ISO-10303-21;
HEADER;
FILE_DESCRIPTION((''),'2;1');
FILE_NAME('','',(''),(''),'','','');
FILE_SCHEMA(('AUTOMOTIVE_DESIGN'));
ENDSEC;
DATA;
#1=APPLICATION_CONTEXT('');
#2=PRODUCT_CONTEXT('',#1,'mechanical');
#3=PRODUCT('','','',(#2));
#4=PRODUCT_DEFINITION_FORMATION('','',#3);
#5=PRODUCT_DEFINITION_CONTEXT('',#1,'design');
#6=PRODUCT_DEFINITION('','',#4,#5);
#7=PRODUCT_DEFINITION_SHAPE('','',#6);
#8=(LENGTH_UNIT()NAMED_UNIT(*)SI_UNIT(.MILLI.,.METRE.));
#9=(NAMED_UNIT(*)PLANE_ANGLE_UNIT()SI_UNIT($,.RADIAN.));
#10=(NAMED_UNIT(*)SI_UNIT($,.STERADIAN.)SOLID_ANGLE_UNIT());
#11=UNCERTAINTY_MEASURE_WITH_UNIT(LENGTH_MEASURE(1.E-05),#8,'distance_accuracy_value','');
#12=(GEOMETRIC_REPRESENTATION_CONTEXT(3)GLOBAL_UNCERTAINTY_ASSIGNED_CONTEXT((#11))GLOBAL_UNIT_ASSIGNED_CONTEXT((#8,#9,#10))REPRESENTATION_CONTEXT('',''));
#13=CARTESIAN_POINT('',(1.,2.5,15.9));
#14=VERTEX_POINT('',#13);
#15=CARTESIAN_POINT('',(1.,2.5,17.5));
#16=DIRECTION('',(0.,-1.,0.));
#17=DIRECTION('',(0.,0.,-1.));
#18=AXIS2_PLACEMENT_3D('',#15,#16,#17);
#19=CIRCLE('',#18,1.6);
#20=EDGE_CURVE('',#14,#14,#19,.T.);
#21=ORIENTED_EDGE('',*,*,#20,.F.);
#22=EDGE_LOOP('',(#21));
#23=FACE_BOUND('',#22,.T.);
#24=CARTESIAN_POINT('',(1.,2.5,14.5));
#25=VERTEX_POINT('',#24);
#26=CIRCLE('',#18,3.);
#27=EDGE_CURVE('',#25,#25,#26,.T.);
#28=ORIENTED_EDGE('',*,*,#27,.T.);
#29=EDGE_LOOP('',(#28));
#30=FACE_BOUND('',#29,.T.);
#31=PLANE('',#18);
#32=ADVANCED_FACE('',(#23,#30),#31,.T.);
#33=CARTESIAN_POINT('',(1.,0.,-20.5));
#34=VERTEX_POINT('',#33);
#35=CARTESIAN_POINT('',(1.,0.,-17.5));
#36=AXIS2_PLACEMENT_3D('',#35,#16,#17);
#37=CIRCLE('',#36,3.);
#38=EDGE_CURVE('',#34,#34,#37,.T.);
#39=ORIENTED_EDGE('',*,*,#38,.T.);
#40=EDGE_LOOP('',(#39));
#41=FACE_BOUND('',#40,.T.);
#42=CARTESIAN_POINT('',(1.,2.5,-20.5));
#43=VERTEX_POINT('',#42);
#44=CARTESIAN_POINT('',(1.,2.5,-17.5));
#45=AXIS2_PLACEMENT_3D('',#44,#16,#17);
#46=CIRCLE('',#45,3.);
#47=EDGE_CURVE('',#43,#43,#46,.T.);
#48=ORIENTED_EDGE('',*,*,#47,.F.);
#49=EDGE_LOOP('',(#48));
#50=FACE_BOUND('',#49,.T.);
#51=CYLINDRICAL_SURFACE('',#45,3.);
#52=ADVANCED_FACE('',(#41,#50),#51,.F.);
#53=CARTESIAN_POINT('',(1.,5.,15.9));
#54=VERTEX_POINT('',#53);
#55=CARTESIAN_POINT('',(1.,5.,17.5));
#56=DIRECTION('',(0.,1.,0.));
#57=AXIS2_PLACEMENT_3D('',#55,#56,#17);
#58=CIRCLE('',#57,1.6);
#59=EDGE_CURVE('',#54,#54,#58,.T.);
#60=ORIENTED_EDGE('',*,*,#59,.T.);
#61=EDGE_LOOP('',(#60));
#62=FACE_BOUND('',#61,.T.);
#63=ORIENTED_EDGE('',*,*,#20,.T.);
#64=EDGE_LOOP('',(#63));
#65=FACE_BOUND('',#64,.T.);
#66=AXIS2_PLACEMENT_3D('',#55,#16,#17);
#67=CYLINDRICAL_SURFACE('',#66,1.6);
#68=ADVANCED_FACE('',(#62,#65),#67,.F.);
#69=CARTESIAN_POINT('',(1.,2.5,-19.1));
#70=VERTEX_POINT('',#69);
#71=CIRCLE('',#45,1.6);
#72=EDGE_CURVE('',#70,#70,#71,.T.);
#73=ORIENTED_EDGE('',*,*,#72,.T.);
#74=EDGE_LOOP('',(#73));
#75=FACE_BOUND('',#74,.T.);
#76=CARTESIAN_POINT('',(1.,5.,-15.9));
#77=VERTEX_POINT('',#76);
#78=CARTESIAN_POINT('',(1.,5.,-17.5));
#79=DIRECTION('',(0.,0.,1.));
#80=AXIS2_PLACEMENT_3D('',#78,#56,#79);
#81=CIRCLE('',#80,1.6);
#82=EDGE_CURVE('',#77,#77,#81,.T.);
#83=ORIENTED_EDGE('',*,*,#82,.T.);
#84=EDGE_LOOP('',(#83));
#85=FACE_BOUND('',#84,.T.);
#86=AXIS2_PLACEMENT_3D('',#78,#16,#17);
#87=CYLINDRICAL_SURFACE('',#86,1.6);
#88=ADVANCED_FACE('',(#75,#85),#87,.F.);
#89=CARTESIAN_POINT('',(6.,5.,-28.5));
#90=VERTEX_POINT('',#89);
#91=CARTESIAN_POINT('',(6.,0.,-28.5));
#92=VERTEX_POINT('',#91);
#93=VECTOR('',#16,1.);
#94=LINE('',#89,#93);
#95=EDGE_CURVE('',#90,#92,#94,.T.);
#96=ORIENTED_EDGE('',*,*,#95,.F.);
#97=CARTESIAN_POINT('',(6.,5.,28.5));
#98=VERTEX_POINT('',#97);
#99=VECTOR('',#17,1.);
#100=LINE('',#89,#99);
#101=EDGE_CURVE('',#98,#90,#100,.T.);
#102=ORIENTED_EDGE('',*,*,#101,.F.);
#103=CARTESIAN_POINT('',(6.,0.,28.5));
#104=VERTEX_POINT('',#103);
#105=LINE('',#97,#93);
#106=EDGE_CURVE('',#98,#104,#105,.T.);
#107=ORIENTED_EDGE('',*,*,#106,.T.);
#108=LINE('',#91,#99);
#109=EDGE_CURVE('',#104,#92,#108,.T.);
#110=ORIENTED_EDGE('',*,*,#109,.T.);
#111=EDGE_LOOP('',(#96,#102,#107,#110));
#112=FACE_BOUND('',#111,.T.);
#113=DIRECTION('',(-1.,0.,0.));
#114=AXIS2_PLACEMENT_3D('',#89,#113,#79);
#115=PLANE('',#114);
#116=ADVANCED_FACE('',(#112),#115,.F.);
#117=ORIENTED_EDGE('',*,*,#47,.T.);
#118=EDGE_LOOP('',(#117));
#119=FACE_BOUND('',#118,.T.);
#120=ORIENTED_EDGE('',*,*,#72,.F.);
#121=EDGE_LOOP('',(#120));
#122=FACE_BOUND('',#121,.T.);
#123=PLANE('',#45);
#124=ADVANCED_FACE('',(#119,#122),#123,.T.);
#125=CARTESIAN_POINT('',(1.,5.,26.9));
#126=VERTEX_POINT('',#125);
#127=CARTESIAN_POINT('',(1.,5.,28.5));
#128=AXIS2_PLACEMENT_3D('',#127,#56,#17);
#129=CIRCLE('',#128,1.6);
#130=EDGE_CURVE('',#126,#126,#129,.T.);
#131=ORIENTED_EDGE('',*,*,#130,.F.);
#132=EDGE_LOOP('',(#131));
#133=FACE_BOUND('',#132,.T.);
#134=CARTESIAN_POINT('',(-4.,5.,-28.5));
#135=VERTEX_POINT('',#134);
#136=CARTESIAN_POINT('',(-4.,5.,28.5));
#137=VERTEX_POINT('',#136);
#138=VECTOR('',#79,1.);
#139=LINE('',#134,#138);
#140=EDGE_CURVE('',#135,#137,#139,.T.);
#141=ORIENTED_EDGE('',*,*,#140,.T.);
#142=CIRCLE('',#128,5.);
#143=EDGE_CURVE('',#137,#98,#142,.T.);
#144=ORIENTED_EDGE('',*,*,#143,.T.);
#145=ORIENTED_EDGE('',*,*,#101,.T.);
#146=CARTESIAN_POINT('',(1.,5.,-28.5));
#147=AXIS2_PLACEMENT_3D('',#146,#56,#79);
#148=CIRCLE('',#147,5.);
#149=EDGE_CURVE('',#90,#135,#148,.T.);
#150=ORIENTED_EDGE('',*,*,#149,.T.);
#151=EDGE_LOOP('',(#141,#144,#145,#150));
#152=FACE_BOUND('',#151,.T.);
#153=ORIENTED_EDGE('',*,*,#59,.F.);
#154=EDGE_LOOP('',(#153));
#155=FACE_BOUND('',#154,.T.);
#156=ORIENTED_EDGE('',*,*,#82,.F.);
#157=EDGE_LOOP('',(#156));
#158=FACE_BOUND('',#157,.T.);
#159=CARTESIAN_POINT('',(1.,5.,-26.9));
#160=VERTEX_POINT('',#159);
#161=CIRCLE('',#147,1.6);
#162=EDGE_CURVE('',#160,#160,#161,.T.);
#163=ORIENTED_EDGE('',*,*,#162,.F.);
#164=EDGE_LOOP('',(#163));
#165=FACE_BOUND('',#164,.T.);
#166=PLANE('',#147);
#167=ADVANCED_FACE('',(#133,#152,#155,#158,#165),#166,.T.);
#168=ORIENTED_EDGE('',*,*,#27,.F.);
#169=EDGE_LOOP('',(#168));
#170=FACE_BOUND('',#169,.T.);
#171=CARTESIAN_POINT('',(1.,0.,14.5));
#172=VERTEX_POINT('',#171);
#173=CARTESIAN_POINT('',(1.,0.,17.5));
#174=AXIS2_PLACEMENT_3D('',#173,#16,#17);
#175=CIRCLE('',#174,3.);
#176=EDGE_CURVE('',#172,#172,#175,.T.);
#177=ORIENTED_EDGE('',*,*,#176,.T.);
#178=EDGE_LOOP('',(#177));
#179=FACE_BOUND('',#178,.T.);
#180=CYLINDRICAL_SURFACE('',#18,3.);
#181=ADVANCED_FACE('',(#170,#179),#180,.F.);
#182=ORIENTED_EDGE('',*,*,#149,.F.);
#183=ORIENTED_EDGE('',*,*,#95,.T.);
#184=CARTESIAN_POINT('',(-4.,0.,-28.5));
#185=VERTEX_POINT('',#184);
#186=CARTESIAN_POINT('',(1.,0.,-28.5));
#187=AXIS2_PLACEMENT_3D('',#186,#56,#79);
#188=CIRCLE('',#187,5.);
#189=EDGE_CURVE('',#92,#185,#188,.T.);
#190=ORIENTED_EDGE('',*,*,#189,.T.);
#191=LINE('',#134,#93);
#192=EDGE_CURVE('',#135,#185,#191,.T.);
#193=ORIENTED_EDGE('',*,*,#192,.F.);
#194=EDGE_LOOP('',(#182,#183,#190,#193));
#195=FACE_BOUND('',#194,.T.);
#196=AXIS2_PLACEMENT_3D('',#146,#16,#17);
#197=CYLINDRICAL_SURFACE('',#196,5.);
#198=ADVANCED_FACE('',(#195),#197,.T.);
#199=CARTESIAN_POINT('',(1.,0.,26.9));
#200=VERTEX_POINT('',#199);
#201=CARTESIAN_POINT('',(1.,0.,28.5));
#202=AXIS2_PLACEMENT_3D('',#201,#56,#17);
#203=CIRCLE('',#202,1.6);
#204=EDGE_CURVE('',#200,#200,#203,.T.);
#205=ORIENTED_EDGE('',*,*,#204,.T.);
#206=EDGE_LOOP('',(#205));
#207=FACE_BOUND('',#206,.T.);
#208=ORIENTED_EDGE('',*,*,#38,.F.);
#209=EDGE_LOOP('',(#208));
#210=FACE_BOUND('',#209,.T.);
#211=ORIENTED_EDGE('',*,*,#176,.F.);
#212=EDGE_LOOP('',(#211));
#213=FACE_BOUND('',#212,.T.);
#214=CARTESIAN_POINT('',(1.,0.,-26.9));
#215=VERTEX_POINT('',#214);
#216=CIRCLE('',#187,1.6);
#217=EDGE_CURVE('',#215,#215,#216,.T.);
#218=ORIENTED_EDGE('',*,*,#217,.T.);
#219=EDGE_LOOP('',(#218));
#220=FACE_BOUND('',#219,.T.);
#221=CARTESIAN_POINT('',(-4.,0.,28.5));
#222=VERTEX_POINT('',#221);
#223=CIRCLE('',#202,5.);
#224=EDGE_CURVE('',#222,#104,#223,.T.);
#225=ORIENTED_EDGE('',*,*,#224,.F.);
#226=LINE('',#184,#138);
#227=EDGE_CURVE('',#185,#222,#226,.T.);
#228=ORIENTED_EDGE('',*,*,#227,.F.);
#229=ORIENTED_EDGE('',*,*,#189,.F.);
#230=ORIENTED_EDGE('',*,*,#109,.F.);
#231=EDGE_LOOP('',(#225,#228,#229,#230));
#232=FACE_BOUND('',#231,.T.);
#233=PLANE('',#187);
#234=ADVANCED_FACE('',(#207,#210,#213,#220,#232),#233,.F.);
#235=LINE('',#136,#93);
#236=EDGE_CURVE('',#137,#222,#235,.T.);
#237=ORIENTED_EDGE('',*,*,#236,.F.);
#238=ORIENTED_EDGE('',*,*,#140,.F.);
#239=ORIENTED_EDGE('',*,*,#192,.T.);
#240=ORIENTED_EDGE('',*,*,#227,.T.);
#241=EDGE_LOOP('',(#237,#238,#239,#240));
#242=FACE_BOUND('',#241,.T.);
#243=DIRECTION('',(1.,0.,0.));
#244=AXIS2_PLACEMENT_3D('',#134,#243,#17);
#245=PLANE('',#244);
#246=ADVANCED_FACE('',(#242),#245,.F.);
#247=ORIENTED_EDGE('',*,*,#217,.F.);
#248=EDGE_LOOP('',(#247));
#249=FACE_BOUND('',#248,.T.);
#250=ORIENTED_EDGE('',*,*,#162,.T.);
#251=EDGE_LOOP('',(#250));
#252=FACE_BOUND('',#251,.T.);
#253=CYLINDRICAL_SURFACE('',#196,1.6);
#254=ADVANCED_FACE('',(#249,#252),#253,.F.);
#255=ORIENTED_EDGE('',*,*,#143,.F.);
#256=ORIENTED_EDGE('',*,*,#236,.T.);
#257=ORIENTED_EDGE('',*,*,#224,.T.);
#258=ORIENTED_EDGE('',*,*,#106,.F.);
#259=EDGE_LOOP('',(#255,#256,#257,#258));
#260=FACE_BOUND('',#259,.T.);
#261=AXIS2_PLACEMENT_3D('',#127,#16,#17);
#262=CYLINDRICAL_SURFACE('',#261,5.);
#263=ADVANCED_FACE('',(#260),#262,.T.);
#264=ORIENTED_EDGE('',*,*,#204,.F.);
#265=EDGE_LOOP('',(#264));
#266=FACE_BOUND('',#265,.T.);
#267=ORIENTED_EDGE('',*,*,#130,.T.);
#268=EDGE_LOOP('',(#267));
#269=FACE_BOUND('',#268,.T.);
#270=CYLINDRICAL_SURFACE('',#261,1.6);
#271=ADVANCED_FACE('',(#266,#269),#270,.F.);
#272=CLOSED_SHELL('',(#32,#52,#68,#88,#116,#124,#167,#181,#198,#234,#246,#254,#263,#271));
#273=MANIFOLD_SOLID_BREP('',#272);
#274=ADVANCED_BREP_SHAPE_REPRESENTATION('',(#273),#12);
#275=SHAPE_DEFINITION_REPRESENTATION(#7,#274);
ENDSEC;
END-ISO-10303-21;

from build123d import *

# Parameters (mm, degrees)
SKIZZE2_R                       = 1.6
AUFSATZ_LINEAR_AUSTRAGEN1_DEPTH = 5
SKIZZE3_R                       = 3
SCHNITT_LINEAR_AUSTRAGEN1_DEPTH = 2.5


with BuildPart() as part:
    # Skizze2 → Aufsatz-Linear austragen1 (new body)
    with BuildSketch(Plane(origin=(0, 0, 0), x_dir=(1, 0, 0), z_dir=(0, 1, 0))):
        with BuildLine():
            Line((-4, 28.5), (-4, -28.5))
            ThreePointArc((-4, -28.5), (1, -33.5), (6, -28.5))
            Line((6, -28.5), (6, 28.5))
            ThreePointArc((6, 28.5), (1, 33.5), (-4, 28.5))
        make_face()
        with Locations(Location((1, 28.5, 0), (0, 0, 270))):
            Circle(SKIZZE2_R, mode=Mode.SUBTRACT)
        with Locations(Location((1, 17.5, 0), (0, 0, 270))):
            Circle(SKIZZE2_R, mode=Mode.SUBTRACT)
        with Locations(Location((1, -17.5, 0), (0, 0, 90))):
            Circle(SKIZZE2_R, mode=Mode.SUBTRACT)
        with Locations(Location((1, -28.5, 0), (0, 0, 90))):
            Circle(SKIZZE2_R, mode=Mode.SUBTRACT)
    extrude(amount=AUFSATZ_LINEAR_AUSTRAGEN1_DEPTH)

    # Skizze3 → Schnitt-Linear austragen1 (cut)
    with BuildSketch(Plane.XZ):
        with Locations(Location((1, 17.5, 0), (0, 0, 270))):
            Circle(SKIZZE3_R)
        with Locations(Location((1, -17.5, 0), (0, 0, 270))):
            Circle(SKIZZE3_R)
    extrude(amount=-SCHNITT_LINEAR_AUSTRAGEN1_DEPTH, mode=Mode.SUBTRACT)


solid = part.part
